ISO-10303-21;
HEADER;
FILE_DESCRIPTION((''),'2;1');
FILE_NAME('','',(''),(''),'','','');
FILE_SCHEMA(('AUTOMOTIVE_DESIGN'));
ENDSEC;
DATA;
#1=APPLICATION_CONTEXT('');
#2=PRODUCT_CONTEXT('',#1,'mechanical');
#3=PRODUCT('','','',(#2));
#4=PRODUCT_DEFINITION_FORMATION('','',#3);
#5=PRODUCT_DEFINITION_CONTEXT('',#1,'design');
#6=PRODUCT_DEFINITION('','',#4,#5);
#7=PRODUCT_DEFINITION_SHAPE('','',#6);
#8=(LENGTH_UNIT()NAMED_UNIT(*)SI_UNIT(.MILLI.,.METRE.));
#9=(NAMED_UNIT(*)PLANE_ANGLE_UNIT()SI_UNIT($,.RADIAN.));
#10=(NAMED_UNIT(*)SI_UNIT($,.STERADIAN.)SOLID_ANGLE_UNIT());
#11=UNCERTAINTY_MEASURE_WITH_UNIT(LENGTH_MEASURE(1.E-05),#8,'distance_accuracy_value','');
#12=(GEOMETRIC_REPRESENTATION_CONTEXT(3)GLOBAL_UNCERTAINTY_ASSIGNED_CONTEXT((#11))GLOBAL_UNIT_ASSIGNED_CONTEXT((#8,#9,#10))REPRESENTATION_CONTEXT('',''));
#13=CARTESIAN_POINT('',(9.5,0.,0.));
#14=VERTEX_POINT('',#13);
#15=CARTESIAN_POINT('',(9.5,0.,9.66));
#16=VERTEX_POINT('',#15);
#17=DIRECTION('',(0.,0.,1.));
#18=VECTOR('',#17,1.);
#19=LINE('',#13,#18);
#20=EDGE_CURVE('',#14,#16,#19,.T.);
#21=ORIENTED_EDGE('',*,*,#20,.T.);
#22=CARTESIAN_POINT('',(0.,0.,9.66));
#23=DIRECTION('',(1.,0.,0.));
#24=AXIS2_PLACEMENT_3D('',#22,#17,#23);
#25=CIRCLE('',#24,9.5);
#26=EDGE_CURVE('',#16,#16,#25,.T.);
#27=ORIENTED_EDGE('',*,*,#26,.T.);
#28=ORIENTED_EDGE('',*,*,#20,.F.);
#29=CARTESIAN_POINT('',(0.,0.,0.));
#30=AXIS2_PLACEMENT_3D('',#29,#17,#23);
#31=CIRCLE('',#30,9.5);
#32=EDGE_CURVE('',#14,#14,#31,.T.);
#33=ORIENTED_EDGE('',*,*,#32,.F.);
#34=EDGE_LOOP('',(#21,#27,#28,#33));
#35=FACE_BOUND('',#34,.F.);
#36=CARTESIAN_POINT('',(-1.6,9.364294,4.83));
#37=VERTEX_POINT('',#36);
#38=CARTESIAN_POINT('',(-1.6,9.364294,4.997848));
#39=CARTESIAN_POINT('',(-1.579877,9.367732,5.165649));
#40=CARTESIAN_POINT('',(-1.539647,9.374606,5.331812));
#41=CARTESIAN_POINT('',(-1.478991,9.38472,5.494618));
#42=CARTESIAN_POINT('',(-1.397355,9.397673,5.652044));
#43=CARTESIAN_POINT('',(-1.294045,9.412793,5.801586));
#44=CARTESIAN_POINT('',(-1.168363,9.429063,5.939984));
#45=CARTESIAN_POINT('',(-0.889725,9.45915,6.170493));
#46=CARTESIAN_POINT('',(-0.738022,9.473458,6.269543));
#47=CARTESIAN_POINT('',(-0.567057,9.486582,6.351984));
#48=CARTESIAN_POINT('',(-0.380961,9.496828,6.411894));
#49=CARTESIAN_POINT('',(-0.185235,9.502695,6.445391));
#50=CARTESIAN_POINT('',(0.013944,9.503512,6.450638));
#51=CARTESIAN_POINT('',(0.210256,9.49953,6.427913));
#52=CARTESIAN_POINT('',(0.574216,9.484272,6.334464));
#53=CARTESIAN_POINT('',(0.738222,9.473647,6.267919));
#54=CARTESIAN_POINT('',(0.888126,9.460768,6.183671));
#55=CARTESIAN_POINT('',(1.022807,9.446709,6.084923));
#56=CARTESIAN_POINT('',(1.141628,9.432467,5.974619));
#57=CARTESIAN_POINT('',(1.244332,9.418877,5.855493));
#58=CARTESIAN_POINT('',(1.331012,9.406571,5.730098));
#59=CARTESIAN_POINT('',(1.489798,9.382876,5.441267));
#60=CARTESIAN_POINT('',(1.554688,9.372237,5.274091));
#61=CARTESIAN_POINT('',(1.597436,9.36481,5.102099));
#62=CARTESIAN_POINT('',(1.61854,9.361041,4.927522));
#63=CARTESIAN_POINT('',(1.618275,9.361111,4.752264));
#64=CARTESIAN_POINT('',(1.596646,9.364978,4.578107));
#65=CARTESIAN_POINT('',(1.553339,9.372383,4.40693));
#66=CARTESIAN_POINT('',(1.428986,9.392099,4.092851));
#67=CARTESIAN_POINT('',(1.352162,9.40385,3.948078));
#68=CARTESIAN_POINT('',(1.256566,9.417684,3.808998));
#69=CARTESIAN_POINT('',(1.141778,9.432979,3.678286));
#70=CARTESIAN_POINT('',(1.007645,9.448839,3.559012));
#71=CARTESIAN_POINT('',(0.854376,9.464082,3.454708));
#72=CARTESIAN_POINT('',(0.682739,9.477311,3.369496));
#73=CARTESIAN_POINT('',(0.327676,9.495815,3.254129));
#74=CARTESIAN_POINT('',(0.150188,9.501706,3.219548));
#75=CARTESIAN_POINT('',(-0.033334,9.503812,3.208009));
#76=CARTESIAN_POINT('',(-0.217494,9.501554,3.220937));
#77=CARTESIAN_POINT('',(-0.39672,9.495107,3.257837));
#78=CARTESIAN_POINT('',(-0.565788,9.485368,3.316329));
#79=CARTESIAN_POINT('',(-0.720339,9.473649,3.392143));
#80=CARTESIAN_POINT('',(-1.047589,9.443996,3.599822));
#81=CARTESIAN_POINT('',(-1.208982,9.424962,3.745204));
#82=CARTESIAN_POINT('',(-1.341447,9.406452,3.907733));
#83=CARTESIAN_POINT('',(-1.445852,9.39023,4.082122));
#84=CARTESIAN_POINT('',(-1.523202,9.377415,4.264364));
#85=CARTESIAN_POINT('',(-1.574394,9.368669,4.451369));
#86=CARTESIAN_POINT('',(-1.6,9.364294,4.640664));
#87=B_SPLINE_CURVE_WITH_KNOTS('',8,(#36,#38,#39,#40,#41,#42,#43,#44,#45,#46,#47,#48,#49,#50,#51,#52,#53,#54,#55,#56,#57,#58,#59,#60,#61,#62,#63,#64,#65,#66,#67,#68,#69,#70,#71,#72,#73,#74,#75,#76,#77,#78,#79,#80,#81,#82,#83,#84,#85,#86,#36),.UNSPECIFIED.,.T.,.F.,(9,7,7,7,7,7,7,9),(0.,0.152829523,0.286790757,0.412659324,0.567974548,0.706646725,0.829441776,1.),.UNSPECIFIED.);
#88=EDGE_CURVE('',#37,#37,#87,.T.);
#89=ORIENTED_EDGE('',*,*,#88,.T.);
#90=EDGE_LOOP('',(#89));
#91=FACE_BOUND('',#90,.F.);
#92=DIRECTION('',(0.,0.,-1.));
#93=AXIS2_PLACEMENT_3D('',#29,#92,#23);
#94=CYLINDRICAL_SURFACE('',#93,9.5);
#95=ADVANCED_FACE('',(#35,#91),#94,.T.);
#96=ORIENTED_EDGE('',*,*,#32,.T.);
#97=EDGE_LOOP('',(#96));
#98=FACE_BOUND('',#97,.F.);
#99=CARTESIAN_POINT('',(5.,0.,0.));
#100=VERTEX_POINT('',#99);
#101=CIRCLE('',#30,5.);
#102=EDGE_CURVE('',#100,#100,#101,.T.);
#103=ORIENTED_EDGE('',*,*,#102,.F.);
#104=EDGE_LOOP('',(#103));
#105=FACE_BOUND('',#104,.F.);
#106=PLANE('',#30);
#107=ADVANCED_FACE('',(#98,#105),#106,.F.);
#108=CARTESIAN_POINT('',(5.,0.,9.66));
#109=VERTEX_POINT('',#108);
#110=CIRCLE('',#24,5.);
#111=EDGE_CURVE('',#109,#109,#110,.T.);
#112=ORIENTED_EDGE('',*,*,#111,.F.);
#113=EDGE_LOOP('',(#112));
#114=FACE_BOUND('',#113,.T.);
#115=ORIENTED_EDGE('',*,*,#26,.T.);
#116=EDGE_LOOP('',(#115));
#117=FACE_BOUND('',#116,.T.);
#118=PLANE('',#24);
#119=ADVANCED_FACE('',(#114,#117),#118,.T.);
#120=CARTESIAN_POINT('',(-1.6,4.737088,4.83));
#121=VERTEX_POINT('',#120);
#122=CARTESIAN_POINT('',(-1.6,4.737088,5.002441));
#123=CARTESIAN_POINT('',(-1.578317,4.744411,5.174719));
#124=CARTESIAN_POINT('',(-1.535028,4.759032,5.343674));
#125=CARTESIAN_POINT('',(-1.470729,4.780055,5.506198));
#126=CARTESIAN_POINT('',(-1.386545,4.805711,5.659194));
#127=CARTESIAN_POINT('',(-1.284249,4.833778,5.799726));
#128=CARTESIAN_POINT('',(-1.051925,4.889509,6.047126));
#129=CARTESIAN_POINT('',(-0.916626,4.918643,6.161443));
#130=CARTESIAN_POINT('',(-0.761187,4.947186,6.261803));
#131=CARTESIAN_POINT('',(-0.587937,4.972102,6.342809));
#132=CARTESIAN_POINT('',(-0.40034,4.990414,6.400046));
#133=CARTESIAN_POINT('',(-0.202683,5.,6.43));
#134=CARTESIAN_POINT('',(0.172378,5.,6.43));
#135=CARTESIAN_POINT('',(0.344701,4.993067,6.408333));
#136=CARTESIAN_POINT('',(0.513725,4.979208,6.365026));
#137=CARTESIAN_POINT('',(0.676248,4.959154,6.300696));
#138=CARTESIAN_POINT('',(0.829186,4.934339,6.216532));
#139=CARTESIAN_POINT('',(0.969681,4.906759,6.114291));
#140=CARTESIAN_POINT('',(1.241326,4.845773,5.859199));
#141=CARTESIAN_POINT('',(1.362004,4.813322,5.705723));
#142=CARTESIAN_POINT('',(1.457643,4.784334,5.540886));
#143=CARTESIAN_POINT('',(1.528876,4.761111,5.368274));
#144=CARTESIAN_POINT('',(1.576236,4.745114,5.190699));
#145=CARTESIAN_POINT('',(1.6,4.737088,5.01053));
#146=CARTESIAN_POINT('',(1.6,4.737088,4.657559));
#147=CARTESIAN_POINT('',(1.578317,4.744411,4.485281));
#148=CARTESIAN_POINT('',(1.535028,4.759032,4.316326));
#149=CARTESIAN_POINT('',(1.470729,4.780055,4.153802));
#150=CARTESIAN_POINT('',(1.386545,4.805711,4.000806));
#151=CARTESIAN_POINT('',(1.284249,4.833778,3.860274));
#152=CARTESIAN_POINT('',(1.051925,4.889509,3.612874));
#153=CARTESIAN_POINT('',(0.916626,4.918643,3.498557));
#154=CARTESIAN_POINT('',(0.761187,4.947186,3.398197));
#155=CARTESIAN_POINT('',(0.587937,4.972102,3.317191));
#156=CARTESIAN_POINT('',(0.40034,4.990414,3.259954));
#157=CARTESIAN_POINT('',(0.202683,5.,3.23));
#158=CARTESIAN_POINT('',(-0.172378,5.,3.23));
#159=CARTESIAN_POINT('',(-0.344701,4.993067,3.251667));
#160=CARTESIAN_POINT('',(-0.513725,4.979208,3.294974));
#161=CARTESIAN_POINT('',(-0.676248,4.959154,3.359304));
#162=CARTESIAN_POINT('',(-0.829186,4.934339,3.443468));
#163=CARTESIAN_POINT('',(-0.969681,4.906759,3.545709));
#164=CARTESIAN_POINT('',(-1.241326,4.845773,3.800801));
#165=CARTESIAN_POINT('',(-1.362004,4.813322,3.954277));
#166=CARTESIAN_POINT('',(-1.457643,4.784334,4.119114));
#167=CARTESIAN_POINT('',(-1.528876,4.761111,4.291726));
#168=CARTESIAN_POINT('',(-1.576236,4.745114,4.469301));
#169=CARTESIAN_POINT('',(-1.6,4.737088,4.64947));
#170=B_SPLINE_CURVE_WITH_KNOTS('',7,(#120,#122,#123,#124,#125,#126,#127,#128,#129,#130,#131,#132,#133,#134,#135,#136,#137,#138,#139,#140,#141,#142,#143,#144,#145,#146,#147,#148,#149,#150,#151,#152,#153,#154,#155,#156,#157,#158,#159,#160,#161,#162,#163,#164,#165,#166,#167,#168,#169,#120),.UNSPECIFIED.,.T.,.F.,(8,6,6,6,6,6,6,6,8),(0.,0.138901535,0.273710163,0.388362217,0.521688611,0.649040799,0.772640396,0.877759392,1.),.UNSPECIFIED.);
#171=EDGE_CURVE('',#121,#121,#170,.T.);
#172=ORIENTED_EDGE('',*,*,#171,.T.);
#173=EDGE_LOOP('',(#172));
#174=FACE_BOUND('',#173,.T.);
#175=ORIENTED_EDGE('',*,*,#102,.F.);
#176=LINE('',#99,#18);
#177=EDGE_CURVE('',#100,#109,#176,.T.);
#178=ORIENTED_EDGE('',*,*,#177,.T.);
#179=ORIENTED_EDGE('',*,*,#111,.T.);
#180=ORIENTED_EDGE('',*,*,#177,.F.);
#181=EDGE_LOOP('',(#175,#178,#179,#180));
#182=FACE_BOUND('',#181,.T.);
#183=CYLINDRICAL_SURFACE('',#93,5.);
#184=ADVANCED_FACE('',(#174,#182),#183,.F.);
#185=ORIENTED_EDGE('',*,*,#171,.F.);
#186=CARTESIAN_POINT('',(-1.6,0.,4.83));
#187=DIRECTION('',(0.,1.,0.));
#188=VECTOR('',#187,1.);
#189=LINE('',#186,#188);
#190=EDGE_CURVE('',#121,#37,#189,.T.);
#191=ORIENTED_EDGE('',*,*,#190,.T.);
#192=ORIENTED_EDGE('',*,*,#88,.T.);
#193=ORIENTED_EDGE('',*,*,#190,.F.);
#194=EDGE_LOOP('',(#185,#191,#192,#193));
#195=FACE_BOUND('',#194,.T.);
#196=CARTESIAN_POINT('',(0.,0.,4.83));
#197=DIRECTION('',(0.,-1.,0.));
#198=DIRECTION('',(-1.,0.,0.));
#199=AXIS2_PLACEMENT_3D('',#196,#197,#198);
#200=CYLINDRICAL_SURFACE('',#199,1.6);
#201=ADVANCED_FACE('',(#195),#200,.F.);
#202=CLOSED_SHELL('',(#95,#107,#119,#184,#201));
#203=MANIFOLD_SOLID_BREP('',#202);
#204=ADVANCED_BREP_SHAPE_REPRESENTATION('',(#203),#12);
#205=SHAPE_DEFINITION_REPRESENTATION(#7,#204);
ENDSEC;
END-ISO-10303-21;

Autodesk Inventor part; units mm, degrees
ref_plane "YZ Plane" through (0, 0, 0) normal (1, 0, 0) x (0, 1, 0)
ref_plane "XZ Plane" through (0, 0, 0) normal (0, 1, 0) x (-1, 0, 0)
ref_plane "XY Plane" through (0, 0, 0) normal (0, 0, 1) x (1, 0, 0)
sketch "草圖1" plane through (0, 0, 0) normal (0, 0, 1) x (1, 0, 0)
  circle A0 centre (0, 0) radius 9.5
  circle A1 centre (0, 0) radius 5
  dimension "d0" = 19
  dimension "d1" = 10
extrude "擠出1" add sketch "草圖1" along normal blind 9.66
sketch "草圖2" plane through (0, 0, 0) normal (0, 1, 0) x (-1, 0, 0)
  circle A0 centre (0, 4.83) radius 1.6
  line L0 (-9.5, 0) -> (9.5, 0) projected
  point P0 (0, 0)
  dimension "d4" = 3.2
  dimension "d5" = 6.43
  dimension "d6" = 9.5
extrude "擠出2" cut sketch "草圖2" along normal blind 12.5
properties part number "螺桿固定環"
